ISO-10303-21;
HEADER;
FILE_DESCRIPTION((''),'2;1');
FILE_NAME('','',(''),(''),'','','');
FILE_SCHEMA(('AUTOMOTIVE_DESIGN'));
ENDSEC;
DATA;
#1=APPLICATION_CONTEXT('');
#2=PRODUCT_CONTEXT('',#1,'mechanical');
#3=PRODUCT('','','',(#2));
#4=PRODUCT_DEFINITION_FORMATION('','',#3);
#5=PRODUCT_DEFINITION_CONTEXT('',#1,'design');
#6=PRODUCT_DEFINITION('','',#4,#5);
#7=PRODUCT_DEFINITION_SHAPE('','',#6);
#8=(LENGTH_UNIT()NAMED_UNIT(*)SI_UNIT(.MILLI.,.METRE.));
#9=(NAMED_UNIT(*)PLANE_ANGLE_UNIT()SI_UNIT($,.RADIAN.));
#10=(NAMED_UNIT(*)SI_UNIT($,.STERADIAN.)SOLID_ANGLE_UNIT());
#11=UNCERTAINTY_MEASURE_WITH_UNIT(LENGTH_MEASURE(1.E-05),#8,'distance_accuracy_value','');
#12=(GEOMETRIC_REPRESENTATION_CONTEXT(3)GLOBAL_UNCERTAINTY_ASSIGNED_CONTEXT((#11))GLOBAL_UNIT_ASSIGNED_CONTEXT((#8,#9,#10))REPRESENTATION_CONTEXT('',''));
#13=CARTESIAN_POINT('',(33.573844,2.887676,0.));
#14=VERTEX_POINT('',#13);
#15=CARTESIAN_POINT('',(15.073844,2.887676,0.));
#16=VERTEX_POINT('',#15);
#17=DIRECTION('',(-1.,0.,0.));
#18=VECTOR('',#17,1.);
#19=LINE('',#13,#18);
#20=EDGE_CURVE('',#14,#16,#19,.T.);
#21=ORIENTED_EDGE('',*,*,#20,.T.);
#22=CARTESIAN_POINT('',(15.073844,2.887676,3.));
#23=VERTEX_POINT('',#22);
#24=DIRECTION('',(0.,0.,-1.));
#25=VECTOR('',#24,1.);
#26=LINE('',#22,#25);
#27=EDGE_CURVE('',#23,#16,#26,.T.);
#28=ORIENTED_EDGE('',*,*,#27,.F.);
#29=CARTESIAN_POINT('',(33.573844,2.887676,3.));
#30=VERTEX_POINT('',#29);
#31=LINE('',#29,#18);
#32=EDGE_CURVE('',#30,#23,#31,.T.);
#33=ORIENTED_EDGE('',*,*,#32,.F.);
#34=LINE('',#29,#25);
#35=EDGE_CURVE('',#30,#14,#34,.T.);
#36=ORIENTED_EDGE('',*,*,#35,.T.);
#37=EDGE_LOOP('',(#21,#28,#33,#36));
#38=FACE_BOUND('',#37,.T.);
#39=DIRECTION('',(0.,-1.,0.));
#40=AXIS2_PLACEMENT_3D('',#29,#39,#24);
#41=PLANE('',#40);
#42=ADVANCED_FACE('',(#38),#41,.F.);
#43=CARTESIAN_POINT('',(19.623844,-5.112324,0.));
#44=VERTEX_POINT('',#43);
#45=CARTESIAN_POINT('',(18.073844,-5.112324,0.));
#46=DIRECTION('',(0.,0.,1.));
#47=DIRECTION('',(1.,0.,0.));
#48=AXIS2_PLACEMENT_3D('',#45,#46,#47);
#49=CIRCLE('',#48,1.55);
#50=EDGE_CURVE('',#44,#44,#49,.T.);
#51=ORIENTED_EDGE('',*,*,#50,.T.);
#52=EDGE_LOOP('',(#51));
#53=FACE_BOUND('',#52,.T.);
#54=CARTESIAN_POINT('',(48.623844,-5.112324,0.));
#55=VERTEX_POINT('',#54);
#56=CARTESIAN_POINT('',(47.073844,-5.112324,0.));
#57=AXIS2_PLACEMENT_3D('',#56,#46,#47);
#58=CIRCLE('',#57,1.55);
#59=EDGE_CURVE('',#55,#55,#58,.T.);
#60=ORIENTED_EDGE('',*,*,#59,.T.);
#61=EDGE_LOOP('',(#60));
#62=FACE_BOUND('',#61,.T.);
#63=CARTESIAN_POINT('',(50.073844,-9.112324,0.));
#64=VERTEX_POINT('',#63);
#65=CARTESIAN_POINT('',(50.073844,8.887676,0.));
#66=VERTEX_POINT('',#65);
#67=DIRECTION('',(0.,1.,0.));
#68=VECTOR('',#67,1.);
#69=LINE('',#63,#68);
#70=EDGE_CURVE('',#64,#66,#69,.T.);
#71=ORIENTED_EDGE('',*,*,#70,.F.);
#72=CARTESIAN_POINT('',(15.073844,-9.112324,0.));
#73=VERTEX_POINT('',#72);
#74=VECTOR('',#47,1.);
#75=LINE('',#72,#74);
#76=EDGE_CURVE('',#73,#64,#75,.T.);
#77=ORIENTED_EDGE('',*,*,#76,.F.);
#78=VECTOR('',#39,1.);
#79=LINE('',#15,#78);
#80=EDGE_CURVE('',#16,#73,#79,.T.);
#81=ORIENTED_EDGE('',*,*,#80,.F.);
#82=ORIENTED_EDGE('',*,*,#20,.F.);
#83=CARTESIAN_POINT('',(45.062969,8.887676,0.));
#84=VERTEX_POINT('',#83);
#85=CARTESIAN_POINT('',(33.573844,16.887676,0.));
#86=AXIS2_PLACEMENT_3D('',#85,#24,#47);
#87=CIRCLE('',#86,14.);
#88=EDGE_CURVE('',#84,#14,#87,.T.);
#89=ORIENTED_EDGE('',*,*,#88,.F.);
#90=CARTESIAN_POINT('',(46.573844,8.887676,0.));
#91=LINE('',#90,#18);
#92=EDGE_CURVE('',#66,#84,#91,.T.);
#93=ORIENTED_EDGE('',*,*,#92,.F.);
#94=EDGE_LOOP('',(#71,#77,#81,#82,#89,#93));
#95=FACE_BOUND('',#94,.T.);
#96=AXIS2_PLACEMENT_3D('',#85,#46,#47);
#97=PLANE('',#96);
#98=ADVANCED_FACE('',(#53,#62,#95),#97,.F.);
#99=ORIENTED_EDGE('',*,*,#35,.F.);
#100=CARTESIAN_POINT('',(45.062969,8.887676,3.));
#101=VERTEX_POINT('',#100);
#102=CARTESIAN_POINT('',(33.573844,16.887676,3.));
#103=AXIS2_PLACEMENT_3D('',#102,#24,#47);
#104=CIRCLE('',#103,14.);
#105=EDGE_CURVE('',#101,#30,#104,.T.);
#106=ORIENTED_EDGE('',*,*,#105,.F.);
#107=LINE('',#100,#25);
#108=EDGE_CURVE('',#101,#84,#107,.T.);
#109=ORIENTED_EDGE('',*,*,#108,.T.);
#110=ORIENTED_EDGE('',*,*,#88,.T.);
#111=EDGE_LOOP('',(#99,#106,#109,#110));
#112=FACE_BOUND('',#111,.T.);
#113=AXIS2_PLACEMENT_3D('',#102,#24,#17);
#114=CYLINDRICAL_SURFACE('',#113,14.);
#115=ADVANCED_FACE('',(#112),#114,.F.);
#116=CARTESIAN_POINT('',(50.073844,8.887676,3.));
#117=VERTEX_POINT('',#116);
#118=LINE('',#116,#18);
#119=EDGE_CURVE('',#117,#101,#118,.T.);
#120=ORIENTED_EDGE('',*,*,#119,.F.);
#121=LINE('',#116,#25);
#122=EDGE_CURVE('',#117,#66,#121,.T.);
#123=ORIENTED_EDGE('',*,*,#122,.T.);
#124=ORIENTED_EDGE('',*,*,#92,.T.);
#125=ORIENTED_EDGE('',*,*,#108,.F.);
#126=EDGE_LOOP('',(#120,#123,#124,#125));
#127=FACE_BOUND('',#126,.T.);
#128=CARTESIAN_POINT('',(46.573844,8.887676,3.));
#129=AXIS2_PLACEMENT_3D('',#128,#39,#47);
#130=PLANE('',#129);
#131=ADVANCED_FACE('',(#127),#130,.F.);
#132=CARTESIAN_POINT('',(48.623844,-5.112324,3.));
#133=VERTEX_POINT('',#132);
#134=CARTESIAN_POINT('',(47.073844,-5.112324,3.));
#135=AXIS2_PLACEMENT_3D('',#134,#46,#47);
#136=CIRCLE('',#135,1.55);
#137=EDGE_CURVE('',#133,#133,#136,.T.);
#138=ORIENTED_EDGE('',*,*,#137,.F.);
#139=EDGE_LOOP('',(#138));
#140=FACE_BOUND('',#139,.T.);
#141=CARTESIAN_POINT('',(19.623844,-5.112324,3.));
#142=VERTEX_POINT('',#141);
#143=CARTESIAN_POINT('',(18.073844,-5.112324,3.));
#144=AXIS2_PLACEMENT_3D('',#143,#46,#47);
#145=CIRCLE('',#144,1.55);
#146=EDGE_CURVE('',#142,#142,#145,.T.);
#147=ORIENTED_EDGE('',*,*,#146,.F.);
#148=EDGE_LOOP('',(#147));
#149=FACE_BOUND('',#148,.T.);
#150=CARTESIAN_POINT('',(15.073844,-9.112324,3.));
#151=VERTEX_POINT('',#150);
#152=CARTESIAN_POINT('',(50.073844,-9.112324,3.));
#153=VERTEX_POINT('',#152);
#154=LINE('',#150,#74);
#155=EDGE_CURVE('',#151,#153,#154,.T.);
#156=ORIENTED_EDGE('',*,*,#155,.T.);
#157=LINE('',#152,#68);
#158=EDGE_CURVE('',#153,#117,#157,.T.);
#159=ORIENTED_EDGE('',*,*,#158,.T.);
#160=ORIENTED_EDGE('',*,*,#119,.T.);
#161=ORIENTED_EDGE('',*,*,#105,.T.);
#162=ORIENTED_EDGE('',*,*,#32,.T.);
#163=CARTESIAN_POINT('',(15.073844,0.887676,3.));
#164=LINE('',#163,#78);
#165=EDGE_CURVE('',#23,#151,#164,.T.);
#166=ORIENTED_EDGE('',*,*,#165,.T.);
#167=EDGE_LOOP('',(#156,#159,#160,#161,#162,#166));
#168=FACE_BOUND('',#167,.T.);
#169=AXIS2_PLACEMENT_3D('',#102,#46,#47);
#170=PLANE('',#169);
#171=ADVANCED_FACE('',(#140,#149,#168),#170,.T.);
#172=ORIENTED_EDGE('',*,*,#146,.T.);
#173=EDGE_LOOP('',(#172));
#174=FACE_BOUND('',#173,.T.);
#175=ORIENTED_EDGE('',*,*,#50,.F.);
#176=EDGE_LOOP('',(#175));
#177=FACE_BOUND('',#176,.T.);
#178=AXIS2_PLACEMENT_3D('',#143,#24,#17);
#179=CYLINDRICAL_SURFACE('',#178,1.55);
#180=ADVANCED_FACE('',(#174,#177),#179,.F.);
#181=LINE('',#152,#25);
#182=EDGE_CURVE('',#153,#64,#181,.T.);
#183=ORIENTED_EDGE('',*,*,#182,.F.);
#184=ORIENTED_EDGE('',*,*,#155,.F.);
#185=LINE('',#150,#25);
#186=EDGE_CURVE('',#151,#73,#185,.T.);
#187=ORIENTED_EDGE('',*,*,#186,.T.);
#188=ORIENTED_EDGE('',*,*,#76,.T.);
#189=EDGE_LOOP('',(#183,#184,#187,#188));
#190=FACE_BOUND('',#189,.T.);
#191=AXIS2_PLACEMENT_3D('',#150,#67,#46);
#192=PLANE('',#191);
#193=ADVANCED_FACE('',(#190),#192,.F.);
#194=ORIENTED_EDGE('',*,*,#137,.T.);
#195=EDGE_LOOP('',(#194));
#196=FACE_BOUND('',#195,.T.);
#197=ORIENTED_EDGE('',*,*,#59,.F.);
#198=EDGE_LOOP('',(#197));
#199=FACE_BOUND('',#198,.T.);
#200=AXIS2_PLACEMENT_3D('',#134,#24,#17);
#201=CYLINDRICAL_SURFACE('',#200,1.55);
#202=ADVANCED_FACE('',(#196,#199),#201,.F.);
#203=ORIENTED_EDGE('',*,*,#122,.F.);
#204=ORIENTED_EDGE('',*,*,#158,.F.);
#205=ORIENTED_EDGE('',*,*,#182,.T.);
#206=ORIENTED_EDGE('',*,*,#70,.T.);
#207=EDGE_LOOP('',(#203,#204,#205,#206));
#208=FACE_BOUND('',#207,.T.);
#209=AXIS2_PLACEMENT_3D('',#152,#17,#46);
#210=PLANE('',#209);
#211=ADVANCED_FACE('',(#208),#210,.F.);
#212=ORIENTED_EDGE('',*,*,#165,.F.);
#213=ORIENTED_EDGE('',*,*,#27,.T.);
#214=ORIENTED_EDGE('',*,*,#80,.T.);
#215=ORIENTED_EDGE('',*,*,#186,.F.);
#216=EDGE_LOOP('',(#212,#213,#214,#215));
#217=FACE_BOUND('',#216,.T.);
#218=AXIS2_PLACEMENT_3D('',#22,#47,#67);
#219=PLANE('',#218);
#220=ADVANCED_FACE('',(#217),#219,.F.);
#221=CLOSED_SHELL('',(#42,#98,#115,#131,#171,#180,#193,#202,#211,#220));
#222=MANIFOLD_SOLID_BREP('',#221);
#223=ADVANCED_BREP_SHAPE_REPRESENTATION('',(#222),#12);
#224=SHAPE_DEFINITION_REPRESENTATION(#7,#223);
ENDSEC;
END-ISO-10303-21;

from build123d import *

# Parameters (mm, degrees)
SKETCH1_R           = 1.55
BOSS_EXTRUDE1_DEPTH = 3


with BuildPart() as part:
    # Sketch1 → Boss-Extrude1 (new body)
    with BuildSketch(Plane.XY):
        with BuildLine():
            Line((46.57384356, 8.887676402), (45.062968853, 8.887676402))
            ThreePointArc((45.062968853, 8.887676402), (40.054584258, 4.478002756), (33.57384356, 2.887676402))
            Line((33.57384356, 2.887676402), (15.07384356, 2.887676402))
            Line((15.07384356, 2.887676402), (15.07384356, 0.887676439))
            Line((15.07384356, 0.887676439), (15.07384356, -1.112323636))
            Line((15.07384356, -1.112323636), (15.07384356, -9.112323598))
            Line((15.07384356, -9.112323598), (50.07384356, -9.112323598))
            Line((50.07384356, -9.112323598), (50.07384356, 8.887676402))
            Line((50.07384356, 8.887676402), (48.573843574, 8.887676402))
            Line((48.573843574, 8.887676402), (46.57384356, 8.887676402))
        make_face()
        with Locations((18.07384356, -5.112323598)):
            Circle(SKETCH1_R, mode=Mode.SUBTRACT)
        with Locations((47.07384356, -5.112323598)):
            Circle(SKETCH1_R, mode=Mode.SUBTRACT)
    extrude(amount=BOSS_EXTRUDE1_DEPTH)


solid = part.part
